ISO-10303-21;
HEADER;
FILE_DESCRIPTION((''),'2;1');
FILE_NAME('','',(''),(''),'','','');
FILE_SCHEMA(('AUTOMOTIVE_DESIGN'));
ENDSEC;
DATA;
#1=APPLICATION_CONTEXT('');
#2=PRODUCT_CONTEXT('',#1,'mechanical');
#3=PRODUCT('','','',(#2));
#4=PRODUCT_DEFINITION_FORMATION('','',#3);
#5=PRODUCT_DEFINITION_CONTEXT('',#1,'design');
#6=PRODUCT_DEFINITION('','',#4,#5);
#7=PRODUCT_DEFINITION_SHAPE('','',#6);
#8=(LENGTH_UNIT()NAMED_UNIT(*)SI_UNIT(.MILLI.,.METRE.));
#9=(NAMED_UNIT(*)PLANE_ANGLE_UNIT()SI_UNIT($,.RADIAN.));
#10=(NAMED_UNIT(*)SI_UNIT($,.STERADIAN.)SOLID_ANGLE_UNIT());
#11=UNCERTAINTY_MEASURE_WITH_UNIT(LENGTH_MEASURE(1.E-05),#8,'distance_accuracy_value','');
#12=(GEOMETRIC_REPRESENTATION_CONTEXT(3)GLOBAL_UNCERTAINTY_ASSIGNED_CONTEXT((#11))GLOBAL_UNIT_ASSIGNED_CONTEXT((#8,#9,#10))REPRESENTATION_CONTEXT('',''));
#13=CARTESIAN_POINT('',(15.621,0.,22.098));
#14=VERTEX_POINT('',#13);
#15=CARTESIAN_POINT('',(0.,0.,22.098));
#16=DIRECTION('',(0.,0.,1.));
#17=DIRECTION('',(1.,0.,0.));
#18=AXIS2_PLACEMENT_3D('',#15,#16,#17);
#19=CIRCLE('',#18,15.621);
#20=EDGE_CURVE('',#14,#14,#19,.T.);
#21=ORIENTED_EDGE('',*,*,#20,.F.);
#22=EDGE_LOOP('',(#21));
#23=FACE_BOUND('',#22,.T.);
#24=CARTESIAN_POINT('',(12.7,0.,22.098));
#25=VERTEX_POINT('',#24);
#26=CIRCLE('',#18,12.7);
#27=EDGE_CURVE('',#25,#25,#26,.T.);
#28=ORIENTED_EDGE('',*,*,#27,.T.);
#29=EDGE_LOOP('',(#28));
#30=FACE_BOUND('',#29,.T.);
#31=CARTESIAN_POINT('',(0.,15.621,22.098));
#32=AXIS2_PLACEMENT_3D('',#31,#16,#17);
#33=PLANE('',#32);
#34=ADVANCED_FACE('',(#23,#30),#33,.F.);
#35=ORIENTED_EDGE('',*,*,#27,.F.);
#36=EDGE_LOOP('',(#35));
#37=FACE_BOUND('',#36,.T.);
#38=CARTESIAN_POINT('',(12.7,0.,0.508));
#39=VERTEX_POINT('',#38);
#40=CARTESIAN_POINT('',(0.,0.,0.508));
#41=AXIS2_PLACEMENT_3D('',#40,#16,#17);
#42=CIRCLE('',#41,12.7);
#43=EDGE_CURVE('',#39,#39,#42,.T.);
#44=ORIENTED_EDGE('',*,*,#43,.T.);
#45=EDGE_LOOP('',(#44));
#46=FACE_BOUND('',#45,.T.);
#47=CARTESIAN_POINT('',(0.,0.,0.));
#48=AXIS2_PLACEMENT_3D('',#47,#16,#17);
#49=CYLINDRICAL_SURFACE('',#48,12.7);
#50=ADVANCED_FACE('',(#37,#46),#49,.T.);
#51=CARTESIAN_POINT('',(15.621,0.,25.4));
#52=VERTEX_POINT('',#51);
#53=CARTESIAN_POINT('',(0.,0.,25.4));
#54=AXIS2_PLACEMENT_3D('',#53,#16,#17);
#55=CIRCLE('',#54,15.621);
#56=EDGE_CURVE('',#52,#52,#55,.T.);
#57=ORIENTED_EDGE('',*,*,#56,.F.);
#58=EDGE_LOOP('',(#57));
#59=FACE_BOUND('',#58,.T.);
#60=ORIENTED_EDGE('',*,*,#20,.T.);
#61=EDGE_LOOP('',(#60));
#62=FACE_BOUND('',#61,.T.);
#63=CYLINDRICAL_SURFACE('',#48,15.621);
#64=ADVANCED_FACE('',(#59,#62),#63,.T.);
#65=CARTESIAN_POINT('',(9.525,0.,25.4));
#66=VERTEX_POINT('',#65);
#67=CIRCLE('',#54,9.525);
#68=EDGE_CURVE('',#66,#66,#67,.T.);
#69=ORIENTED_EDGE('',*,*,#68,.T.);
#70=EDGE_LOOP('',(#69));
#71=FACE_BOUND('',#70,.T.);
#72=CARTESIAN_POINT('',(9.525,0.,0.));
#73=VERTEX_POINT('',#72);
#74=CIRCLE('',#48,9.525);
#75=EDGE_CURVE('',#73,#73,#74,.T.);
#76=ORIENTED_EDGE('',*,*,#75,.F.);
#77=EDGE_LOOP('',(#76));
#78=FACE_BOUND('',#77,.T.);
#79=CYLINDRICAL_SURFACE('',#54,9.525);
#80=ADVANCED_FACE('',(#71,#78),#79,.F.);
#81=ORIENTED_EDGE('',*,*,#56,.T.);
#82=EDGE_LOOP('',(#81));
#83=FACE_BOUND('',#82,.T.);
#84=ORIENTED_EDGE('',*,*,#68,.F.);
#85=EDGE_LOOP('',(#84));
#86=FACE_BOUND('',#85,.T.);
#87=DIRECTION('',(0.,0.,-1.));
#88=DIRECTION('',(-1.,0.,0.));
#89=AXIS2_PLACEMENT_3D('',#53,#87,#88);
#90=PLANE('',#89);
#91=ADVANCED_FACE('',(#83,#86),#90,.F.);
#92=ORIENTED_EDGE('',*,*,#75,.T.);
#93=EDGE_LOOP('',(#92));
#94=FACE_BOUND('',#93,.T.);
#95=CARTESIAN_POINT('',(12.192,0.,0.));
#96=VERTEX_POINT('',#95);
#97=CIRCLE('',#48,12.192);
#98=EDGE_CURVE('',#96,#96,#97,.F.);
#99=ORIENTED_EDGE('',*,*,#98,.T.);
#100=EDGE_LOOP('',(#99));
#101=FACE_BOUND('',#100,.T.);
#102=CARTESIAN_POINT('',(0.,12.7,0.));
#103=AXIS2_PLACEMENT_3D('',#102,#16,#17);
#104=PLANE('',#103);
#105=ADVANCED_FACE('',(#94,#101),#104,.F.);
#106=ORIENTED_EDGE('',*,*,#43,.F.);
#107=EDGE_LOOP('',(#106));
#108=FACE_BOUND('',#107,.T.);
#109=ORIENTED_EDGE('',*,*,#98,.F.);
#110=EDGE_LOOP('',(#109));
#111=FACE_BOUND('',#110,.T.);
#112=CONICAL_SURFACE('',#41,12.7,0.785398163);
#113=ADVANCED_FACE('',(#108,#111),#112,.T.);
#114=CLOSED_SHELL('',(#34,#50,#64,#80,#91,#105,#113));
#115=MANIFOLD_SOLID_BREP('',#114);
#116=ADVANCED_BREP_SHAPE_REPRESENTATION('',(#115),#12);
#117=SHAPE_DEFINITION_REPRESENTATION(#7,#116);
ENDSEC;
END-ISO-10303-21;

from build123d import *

# Parameters (mm, degrees)
F_1_4_0_75_DIAMETER_HOLE1_D = 19.05
CHAMFER1_SIZE               = 0.508


with BuildPart() as part:
    # Sketch1 → Revolve1 (revolve)
    with BuildSketch(Plane(origin=(0, 0, 0), x_dir=(0, 0, -1), z_dir=(1, 0, 0))):
        Polygon((0, 0), (-25.4, 0), (-25.4, 15.621), (-22.098, 15.621), (-22.098, 12.7), (0, 12.7), align=None)
    revolve(axis=Axis((0, 0, 0), (0, 0, -1)))

    # 1/4 (0.75) Diameter Hole1 (through all)
    with Locations(Plane.XY.offset(25.4)):
        with Locations((0, 0)):
            Hole(F_1_4_0_75_DIAMETER_HOLE1_D / 2)

    # Chamfer1
    chamfer1_edges = [part.edges().sort_by_distance(p)[0] for p in [
        (0, -12.7, 0),
    ]]
    chamfer(chamfer1_edges, length=CHAMFER1_SIZE)


solid = part.part
